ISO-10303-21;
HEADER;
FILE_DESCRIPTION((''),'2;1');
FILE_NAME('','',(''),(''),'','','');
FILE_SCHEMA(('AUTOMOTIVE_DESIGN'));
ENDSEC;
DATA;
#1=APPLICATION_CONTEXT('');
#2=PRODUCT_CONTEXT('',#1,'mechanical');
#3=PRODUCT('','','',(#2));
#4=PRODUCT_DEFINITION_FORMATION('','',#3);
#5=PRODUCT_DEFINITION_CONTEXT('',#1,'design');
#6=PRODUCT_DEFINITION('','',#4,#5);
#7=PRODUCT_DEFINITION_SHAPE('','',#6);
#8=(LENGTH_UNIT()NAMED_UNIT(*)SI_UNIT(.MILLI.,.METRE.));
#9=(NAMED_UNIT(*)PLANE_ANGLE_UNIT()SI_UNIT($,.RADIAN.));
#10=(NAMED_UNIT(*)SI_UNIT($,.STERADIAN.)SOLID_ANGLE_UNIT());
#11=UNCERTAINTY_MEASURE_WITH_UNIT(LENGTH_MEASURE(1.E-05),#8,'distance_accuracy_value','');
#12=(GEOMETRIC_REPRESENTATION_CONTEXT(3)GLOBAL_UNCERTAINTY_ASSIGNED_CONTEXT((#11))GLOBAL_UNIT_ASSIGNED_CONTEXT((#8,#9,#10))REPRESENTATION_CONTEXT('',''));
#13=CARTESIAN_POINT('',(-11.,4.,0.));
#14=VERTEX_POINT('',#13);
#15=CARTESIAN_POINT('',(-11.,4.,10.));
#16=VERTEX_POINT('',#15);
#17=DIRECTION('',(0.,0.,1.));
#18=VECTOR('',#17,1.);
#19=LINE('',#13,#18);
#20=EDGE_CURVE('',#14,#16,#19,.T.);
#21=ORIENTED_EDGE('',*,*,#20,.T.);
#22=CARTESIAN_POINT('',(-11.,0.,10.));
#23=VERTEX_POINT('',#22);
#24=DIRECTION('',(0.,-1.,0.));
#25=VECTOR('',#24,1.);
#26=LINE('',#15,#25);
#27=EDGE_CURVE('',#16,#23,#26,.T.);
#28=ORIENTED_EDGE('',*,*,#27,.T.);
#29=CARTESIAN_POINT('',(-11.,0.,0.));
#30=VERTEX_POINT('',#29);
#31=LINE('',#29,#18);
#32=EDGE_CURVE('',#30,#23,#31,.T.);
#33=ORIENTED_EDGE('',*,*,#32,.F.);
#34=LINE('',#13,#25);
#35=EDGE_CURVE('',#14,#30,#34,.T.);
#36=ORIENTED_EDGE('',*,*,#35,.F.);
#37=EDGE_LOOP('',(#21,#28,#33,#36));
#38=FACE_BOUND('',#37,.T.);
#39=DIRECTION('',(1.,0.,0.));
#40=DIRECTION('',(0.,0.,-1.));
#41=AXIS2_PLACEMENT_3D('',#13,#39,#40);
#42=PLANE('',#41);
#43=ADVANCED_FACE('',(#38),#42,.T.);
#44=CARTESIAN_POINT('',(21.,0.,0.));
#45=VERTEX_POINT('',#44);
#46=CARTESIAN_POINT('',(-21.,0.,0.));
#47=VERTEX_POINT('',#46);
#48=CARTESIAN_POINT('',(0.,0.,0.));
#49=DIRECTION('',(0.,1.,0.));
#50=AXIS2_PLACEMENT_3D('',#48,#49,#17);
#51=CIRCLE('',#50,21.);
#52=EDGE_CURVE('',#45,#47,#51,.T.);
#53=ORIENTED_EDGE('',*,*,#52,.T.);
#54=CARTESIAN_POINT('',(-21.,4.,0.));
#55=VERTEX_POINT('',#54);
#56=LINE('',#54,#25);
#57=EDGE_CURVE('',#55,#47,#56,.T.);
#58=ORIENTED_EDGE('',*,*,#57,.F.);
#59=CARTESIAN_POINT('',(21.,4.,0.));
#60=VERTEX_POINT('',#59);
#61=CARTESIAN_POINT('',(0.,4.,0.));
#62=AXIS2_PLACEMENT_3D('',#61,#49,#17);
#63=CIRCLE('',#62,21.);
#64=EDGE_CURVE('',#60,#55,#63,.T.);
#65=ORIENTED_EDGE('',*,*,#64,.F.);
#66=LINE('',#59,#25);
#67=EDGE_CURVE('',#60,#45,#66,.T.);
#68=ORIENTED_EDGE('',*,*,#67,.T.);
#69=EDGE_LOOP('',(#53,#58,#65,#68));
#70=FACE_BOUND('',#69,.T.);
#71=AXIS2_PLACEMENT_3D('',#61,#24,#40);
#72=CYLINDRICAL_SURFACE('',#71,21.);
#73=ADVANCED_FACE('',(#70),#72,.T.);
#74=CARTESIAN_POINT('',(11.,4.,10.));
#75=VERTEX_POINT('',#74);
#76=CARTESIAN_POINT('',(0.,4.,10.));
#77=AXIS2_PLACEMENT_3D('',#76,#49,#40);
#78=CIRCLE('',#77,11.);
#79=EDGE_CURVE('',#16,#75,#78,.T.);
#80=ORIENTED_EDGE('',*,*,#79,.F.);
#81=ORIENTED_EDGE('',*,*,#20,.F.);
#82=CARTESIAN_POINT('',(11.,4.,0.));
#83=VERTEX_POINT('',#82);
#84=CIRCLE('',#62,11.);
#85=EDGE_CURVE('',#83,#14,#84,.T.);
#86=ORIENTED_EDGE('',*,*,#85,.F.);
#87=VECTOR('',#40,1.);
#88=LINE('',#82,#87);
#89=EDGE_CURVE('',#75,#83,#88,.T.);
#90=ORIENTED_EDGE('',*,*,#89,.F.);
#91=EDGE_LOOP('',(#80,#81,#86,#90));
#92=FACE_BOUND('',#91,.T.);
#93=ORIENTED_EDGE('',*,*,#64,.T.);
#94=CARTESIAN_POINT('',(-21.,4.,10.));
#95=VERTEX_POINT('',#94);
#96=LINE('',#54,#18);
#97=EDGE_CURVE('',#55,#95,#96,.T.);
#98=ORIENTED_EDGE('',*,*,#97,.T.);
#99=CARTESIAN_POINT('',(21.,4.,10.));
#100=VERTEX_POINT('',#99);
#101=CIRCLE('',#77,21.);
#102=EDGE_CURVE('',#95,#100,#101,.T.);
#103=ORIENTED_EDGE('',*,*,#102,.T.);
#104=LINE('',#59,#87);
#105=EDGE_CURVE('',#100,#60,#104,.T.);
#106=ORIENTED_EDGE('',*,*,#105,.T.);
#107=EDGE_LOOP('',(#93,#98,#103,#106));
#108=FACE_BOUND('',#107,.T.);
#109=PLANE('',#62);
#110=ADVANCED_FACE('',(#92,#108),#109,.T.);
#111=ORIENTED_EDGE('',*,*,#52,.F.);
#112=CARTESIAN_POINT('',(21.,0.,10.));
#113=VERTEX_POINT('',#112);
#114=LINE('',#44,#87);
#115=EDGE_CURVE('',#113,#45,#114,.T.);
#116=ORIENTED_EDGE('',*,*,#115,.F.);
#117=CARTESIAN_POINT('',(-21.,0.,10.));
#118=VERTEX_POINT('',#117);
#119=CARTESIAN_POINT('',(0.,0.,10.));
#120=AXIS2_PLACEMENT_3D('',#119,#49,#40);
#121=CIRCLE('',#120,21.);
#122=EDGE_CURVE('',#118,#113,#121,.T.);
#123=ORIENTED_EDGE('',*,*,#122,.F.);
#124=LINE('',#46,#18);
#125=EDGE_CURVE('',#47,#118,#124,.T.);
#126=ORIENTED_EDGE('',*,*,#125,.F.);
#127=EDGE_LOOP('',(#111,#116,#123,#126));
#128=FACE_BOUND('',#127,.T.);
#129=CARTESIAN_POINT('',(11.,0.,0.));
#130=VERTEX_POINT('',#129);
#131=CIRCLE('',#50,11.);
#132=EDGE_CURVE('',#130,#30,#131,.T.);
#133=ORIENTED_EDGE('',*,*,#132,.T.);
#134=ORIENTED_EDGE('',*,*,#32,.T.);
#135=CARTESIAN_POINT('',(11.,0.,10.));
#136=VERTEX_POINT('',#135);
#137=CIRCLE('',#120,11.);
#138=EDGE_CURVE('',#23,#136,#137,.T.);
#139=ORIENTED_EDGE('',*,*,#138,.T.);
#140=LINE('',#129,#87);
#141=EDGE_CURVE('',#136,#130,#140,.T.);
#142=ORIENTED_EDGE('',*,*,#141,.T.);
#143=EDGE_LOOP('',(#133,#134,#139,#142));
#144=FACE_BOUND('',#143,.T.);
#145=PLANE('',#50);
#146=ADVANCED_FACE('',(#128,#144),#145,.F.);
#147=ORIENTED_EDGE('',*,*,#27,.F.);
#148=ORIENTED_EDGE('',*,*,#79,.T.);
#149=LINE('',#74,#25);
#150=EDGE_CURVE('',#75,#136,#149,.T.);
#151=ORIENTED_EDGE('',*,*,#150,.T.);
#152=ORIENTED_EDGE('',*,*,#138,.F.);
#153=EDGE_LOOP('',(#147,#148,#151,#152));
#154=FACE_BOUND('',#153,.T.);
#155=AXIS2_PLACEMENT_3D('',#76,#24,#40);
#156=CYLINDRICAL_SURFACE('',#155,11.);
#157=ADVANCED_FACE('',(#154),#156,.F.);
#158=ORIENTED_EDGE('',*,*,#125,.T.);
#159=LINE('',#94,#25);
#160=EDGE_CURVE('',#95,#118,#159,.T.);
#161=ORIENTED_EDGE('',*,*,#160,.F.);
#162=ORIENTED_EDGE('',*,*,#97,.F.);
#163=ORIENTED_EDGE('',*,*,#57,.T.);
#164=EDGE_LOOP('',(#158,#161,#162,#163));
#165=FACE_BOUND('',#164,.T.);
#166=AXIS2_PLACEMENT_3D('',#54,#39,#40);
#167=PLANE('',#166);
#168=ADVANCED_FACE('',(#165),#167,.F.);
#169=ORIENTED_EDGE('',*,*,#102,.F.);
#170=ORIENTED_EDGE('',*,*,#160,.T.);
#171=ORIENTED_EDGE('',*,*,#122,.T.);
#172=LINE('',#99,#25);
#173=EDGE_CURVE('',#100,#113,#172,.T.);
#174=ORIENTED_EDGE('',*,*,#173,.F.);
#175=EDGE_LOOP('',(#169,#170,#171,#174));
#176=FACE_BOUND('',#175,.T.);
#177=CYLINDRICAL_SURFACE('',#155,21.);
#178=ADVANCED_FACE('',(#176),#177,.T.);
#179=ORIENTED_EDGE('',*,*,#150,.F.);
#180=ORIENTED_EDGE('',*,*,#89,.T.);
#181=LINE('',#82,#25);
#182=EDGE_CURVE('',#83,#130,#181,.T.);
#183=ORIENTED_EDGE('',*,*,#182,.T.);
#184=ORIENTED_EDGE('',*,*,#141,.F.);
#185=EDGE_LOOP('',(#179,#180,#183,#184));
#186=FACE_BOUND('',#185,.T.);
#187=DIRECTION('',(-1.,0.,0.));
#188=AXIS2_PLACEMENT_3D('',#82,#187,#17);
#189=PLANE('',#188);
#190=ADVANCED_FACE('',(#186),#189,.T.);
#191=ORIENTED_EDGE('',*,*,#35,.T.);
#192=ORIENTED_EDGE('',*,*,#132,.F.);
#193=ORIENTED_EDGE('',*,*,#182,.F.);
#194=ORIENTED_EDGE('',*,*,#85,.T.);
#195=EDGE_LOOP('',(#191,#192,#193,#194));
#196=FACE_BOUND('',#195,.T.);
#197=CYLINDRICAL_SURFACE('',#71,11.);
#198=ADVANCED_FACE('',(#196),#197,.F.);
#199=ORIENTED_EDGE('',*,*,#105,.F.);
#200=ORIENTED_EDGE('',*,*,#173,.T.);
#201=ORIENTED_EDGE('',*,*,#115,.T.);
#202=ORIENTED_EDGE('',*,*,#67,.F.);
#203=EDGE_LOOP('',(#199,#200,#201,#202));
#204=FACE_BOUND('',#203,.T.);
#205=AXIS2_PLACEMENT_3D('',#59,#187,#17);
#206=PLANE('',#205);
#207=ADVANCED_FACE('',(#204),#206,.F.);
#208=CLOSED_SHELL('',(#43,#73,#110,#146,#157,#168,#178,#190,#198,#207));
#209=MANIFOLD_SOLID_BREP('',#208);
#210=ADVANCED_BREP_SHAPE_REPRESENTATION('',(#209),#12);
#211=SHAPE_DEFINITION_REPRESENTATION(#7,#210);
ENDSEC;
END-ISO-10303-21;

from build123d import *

# Parameters (mm, degrees)
EXTRUDE_2_DEPTH = 4


with BuildPart() as part:
    # 草图1 → 凸台-拉伸2 (new body)
    with BuildSketch(Plane(origin=(0, 0, 0), x_dir=(1, 0, 0), z_dir=(0, 1, 0))):
        with BuildLine():
            Line((-21, 0), (-21, -10))
            ThreePointArc((-21, -10), (0, -31), (21, -10))
            Line((21, -10), (21, 0))
            ThreePointArc((21, 0), (0, 21), (-21, 0))
        make_face()
        with BuildLine():
            Line((11, 0), (11, -10))
            ThreePointArc((11, -10), (0, -21), (-11, -10))
            Line((-11, -10), (-11, 0))
            ThreePointArc((-11, 0), (0, 11), (11, 0))
        make_face(mode=Mode.SUBTRACT)
    extrude(amount=EXTRUDE_2_DEPTH)


solid = part.part
